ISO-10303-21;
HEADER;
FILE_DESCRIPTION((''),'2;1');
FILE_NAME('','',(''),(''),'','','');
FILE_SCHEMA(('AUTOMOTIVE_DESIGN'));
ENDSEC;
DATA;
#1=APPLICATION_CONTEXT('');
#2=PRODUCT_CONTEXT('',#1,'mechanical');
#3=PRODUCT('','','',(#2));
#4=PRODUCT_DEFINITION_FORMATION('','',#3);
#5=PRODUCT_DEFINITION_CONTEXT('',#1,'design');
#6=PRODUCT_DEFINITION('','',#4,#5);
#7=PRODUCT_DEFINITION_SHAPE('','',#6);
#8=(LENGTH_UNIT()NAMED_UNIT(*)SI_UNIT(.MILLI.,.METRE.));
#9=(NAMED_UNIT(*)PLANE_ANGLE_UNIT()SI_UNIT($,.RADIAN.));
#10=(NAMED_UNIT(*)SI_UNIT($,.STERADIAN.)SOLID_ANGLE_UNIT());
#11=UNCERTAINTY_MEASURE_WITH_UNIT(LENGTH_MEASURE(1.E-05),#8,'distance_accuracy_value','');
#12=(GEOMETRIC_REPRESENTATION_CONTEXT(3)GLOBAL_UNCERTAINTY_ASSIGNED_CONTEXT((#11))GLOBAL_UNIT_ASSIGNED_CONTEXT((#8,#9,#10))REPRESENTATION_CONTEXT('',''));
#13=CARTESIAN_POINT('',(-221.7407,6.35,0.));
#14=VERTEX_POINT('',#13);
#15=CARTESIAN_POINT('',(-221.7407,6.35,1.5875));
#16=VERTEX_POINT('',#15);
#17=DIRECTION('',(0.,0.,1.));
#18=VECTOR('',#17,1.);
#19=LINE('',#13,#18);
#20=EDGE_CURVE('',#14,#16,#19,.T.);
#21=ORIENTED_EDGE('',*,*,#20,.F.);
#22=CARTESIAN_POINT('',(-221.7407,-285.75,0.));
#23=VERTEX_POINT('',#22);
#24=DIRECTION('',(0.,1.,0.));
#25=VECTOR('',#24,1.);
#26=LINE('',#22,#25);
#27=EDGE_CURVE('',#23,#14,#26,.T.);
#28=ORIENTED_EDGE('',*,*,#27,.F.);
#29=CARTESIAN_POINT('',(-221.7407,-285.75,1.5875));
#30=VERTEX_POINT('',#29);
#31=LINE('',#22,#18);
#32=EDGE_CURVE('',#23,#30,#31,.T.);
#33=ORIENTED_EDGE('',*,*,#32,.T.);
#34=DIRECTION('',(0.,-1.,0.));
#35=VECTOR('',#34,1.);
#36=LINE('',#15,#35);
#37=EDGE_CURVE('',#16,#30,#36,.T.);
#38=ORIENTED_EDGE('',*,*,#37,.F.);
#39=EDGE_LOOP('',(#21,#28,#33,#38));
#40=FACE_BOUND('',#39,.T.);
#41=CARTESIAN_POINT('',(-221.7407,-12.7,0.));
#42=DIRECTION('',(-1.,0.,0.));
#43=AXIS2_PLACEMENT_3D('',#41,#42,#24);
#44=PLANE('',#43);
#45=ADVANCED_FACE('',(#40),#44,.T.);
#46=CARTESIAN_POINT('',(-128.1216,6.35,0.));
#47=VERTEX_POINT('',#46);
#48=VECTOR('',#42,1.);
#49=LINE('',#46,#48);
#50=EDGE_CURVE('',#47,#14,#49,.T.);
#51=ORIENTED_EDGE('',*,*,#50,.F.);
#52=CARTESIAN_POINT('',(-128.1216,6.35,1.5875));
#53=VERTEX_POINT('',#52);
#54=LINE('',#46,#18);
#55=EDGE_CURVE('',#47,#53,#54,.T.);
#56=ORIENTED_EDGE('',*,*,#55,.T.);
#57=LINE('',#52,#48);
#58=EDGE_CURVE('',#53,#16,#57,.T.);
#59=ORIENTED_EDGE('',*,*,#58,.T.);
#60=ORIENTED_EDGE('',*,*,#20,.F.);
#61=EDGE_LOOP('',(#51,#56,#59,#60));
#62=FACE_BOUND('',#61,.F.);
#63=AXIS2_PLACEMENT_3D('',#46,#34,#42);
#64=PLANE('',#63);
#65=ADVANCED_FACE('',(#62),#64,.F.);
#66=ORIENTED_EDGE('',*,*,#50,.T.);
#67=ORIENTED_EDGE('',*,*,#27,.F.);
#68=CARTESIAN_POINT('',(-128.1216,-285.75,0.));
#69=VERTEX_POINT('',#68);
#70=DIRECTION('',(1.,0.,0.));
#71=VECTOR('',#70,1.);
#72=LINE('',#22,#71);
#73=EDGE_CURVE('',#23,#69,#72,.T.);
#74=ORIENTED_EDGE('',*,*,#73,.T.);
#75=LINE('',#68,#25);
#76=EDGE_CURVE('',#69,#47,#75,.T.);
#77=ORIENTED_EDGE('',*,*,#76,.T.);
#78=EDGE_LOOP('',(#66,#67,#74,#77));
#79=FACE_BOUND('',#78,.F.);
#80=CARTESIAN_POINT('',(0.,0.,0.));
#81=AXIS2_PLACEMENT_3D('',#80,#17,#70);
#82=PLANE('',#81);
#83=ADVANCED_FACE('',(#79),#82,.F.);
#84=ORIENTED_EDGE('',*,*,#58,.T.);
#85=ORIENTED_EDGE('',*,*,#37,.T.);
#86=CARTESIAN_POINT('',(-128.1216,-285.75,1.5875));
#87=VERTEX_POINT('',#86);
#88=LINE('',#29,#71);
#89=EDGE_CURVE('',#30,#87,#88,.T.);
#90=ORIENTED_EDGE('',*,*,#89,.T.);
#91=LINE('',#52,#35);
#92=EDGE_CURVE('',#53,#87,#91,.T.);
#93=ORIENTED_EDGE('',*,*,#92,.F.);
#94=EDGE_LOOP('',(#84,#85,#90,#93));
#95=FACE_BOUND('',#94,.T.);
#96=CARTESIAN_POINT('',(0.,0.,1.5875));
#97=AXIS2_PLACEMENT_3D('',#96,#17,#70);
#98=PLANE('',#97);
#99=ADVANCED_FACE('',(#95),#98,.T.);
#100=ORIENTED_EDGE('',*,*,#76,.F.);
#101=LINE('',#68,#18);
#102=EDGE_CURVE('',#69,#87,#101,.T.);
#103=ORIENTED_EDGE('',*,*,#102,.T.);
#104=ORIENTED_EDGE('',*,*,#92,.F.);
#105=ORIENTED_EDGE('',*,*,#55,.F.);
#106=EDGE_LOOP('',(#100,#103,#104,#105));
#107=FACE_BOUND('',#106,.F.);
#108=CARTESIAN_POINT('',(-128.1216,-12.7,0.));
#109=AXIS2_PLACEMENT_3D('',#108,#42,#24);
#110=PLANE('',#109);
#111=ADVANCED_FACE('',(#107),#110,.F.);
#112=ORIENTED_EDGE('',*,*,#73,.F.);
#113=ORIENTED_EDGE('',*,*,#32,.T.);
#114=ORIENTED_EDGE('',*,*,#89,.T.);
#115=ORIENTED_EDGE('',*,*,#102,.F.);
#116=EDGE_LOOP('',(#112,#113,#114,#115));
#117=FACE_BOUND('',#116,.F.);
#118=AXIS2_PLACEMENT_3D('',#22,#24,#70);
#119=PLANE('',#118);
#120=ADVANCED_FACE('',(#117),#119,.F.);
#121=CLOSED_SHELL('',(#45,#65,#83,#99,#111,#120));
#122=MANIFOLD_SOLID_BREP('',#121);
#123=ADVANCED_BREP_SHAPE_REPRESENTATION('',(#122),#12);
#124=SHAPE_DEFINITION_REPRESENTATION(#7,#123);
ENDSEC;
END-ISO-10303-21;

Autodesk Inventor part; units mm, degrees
ref_plane "YZ Plane" through (0, 0, 0) normal (1, 0, 0) x (0, 1, 0)
ref_plane "XZ Plane" through (0, 0, 0) normal (0, 1, 0) x (-1, 0, 0)
ref_plane "XY Plane" through (0, 0, 0) normal (0, 0, 1) x (1, 0, 0)
sketch "Sketch1" plane through (0, 0, 0) normal (0, 0, 1) x (1, 0, 0)
  line L0 (-128.1216, 6.35) -> (-221.7407, 6.35) projected
  line L1 (-221.7407, -12.7) -> (-221.7407, 6.35) projected
  line L2 (-128.1216, -12.7) -> (-221.7407, -12.7) projected
  line L3 (-128.1216, -12.7) -> (-128.1216, 6.35) projected
  line L4 (-221.7407, -285.75) -> (-128.1216, -285.75) projected
  line L5 (-128.1216, -266.7) -> (-128.1216, -285.75) projected
  line L6 (-221.7407, -266.7) -> (-128.1216, -266.7) projected
  line L7 (-221.7407, -266.7) -> (-221.7407, -285.75) projected
  line L8 (-221.7407, 6.35) -> (-128.1216, 6.35)
  line L9 (-128.1216, 6.35) -> (-128.1216, -285.75)
  line L10 (-128.1216, -285.75) -> (-221.7407, -285.75)
  line L11 (-221.7407, -285.75) -> (-221.7407, 6.35)
  point P0 (0, 0)
extrude "Extrusion1" add sketch "Sketch1" along normal blind 1.5875
sketch "Sketch2" plane through (0, 0, 1.5875) normal (0, 0, 1) x (1, 0, 0)
  line L0 (-128.1216, 6.35) -> (-221.7407, 6.35) projected
  line L1 (-186.5974, 6.35) -> (-186.5974, -285.75) construction
  line L2 (-186.5974, -285.75) -> (-221.7407, -285.75) construction
  line L3 (-221.7407, -285.75) -> (-221.7407, 6.35) construction
  line L4 (-221.7407, 6.35) -> (-186.5974, 6.35) construction
  point P0 (0, 0)
decal "Decal1"
properties part number "SideAccessPanel" material "ABS Plastic"
